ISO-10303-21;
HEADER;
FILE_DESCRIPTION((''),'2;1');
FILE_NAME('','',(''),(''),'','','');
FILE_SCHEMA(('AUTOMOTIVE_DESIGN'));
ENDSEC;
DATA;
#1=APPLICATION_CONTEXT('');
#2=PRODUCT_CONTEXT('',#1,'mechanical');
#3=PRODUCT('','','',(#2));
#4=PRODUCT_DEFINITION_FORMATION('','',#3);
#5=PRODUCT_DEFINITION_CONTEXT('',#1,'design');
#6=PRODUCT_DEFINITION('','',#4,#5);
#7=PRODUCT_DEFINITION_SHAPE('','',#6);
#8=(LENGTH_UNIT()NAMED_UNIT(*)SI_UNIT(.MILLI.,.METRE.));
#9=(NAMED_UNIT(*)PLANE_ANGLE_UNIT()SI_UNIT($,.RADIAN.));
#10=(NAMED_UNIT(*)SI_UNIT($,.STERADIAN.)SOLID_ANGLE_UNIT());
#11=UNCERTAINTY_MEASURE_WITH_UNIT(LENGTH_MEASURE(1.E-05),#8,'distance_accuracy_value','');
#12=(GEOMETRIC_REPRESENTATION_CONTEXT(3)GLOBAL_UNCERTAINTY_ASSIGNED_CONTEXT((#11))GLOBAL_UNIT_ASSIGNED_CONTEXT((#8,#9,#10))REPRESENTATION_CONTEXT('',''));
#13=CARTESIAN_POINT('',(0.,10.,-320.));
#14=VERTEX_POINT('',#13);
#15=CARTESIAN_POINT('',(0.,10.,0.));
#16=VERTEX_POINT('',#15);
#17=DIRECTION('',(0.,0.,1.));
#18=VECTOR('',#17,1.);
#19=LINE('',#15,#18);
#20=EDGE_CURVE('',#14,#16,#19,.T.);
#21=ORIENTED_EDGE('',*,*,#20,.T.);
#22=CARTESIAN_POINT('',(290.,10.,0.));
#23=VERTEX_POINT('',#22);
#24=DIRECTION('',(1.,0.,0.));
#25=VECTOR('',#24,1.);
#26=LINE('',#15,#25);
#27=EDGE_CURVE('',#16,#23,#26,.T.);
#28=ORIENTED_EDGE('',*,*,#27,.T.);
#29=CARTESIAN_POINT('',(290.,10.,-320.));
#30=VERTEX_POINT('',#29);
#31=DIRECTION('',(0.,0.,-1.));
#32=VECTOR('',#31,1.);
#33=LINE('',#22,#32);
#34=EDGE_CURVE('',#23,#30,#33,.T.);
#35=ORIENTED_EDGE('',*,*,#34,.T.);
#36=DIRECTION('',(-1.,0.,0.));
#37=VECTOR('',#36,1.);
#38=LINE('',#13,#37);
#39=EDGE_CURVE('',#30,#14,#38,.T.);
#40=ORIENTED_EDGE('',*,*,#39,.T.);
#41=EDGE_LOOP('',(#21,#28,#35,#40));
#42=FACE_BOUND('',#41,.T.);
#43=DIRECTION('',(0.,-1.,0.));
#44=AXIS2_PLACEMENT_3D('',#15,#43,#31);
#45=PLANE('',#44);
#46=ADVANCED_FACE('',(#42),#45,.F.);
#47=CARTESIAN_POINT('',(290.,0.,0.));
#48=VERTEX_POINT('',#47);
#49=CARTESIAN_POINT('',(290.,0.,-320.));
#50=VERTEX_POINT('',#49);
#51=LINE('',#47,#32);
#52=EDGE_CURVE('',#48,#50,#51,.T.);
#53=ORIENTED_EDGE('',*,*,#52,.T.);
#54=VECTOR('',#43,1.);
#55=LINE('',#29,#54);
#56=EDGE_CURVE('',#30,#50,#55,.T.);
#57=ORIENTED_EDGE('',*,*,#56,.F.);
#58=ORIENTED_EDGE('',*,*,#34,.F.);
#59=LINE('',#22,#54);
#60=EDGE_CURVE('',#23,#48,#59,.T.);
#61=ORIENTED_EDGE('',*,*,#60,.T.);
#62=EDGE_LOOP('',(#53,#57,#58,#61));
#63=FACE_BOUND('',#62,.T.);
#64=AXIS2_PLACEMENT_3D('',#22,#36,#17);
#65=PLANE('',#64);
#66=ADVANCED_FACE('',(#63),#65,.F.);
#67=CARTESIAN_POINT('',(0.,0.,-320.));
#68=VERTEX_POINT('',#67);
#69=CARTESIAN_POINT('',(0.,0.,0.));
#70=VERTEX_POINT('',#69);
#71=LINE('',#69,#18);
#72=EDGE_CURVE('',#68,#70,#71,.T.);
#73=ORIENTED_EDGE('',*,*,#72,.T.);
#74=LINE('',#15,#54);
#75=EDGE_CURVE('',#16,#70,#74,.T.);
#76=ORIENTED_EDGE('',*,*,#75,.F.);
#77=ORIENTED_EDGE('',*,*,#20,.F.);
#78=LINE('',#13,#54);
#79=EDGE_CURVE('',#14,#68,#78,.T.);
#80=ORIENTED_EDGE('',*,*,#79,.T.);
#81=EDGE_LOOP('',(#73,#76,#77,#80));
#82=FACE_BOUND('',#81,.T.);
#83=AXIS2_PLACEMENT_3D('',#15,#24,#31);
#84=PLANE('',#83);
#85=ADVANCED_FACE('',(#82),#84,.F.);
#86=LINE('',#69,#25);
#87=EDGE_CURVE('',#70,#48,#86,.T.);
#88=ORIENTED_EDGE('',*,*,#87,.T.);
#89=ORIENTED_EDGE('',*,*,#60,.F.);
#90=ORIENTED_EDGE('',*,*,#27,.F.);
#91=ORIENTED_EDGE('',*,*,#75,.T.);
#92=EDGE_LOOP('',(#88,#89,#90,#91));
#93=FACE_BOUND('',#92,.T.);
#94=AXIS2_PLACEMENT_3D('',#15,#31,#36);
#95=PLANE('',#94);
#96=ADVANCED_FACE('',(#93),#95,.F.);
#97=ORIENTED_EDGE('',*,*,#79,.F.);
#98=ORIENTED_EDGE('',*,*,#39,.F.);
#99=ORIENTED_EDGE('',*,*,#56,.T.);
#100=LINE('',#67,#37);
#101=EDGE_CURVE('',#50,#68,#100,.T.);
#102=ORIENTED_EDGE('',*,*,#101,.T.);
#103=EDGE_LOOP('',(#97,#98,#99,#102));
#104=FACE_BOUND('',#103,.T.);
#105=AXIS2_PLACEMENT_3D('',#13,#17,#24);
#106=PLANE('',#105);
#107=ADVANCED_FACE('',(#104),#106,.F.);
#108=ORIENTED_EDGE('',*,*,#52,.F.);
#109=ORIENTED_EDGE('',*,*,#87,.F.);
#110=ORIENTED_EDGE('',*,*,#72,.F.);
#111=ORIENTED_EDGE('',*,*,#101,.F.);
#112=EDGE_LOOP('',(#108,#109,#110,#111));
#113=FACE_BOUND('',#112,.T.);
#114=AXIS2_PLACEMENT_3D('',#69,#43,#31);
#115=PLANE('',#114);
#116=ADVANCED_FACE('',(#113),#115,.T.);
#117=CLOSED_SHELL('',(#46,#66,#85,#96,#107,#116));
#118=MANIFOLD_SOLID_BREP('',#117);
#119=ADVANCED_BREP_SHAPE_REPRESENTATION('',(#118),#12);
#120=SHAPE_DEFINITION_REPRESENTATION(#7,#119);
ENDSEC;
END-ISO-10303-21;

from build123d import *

# Parameters (mm, degrees)
SKETCH_1_W        = 290
SKETCH_1_H        = 320
EXTRUDE_322_DEPTH = 10


with BuildPart() as part:
    # Эскиз1 → Extrude 322 (new body)
    with BuildSketch(Plane(origin=(0, 0, 0), x_dir=(1, 0, 0), z_dir=(0, 1, 0))):
        with Locations((145, 160)):
            Rectangle(SKETCH_1_W, SKETCH_1_H)
    extrude(amount=EXTRUDE_322_DEPTH)


solid = part.part
